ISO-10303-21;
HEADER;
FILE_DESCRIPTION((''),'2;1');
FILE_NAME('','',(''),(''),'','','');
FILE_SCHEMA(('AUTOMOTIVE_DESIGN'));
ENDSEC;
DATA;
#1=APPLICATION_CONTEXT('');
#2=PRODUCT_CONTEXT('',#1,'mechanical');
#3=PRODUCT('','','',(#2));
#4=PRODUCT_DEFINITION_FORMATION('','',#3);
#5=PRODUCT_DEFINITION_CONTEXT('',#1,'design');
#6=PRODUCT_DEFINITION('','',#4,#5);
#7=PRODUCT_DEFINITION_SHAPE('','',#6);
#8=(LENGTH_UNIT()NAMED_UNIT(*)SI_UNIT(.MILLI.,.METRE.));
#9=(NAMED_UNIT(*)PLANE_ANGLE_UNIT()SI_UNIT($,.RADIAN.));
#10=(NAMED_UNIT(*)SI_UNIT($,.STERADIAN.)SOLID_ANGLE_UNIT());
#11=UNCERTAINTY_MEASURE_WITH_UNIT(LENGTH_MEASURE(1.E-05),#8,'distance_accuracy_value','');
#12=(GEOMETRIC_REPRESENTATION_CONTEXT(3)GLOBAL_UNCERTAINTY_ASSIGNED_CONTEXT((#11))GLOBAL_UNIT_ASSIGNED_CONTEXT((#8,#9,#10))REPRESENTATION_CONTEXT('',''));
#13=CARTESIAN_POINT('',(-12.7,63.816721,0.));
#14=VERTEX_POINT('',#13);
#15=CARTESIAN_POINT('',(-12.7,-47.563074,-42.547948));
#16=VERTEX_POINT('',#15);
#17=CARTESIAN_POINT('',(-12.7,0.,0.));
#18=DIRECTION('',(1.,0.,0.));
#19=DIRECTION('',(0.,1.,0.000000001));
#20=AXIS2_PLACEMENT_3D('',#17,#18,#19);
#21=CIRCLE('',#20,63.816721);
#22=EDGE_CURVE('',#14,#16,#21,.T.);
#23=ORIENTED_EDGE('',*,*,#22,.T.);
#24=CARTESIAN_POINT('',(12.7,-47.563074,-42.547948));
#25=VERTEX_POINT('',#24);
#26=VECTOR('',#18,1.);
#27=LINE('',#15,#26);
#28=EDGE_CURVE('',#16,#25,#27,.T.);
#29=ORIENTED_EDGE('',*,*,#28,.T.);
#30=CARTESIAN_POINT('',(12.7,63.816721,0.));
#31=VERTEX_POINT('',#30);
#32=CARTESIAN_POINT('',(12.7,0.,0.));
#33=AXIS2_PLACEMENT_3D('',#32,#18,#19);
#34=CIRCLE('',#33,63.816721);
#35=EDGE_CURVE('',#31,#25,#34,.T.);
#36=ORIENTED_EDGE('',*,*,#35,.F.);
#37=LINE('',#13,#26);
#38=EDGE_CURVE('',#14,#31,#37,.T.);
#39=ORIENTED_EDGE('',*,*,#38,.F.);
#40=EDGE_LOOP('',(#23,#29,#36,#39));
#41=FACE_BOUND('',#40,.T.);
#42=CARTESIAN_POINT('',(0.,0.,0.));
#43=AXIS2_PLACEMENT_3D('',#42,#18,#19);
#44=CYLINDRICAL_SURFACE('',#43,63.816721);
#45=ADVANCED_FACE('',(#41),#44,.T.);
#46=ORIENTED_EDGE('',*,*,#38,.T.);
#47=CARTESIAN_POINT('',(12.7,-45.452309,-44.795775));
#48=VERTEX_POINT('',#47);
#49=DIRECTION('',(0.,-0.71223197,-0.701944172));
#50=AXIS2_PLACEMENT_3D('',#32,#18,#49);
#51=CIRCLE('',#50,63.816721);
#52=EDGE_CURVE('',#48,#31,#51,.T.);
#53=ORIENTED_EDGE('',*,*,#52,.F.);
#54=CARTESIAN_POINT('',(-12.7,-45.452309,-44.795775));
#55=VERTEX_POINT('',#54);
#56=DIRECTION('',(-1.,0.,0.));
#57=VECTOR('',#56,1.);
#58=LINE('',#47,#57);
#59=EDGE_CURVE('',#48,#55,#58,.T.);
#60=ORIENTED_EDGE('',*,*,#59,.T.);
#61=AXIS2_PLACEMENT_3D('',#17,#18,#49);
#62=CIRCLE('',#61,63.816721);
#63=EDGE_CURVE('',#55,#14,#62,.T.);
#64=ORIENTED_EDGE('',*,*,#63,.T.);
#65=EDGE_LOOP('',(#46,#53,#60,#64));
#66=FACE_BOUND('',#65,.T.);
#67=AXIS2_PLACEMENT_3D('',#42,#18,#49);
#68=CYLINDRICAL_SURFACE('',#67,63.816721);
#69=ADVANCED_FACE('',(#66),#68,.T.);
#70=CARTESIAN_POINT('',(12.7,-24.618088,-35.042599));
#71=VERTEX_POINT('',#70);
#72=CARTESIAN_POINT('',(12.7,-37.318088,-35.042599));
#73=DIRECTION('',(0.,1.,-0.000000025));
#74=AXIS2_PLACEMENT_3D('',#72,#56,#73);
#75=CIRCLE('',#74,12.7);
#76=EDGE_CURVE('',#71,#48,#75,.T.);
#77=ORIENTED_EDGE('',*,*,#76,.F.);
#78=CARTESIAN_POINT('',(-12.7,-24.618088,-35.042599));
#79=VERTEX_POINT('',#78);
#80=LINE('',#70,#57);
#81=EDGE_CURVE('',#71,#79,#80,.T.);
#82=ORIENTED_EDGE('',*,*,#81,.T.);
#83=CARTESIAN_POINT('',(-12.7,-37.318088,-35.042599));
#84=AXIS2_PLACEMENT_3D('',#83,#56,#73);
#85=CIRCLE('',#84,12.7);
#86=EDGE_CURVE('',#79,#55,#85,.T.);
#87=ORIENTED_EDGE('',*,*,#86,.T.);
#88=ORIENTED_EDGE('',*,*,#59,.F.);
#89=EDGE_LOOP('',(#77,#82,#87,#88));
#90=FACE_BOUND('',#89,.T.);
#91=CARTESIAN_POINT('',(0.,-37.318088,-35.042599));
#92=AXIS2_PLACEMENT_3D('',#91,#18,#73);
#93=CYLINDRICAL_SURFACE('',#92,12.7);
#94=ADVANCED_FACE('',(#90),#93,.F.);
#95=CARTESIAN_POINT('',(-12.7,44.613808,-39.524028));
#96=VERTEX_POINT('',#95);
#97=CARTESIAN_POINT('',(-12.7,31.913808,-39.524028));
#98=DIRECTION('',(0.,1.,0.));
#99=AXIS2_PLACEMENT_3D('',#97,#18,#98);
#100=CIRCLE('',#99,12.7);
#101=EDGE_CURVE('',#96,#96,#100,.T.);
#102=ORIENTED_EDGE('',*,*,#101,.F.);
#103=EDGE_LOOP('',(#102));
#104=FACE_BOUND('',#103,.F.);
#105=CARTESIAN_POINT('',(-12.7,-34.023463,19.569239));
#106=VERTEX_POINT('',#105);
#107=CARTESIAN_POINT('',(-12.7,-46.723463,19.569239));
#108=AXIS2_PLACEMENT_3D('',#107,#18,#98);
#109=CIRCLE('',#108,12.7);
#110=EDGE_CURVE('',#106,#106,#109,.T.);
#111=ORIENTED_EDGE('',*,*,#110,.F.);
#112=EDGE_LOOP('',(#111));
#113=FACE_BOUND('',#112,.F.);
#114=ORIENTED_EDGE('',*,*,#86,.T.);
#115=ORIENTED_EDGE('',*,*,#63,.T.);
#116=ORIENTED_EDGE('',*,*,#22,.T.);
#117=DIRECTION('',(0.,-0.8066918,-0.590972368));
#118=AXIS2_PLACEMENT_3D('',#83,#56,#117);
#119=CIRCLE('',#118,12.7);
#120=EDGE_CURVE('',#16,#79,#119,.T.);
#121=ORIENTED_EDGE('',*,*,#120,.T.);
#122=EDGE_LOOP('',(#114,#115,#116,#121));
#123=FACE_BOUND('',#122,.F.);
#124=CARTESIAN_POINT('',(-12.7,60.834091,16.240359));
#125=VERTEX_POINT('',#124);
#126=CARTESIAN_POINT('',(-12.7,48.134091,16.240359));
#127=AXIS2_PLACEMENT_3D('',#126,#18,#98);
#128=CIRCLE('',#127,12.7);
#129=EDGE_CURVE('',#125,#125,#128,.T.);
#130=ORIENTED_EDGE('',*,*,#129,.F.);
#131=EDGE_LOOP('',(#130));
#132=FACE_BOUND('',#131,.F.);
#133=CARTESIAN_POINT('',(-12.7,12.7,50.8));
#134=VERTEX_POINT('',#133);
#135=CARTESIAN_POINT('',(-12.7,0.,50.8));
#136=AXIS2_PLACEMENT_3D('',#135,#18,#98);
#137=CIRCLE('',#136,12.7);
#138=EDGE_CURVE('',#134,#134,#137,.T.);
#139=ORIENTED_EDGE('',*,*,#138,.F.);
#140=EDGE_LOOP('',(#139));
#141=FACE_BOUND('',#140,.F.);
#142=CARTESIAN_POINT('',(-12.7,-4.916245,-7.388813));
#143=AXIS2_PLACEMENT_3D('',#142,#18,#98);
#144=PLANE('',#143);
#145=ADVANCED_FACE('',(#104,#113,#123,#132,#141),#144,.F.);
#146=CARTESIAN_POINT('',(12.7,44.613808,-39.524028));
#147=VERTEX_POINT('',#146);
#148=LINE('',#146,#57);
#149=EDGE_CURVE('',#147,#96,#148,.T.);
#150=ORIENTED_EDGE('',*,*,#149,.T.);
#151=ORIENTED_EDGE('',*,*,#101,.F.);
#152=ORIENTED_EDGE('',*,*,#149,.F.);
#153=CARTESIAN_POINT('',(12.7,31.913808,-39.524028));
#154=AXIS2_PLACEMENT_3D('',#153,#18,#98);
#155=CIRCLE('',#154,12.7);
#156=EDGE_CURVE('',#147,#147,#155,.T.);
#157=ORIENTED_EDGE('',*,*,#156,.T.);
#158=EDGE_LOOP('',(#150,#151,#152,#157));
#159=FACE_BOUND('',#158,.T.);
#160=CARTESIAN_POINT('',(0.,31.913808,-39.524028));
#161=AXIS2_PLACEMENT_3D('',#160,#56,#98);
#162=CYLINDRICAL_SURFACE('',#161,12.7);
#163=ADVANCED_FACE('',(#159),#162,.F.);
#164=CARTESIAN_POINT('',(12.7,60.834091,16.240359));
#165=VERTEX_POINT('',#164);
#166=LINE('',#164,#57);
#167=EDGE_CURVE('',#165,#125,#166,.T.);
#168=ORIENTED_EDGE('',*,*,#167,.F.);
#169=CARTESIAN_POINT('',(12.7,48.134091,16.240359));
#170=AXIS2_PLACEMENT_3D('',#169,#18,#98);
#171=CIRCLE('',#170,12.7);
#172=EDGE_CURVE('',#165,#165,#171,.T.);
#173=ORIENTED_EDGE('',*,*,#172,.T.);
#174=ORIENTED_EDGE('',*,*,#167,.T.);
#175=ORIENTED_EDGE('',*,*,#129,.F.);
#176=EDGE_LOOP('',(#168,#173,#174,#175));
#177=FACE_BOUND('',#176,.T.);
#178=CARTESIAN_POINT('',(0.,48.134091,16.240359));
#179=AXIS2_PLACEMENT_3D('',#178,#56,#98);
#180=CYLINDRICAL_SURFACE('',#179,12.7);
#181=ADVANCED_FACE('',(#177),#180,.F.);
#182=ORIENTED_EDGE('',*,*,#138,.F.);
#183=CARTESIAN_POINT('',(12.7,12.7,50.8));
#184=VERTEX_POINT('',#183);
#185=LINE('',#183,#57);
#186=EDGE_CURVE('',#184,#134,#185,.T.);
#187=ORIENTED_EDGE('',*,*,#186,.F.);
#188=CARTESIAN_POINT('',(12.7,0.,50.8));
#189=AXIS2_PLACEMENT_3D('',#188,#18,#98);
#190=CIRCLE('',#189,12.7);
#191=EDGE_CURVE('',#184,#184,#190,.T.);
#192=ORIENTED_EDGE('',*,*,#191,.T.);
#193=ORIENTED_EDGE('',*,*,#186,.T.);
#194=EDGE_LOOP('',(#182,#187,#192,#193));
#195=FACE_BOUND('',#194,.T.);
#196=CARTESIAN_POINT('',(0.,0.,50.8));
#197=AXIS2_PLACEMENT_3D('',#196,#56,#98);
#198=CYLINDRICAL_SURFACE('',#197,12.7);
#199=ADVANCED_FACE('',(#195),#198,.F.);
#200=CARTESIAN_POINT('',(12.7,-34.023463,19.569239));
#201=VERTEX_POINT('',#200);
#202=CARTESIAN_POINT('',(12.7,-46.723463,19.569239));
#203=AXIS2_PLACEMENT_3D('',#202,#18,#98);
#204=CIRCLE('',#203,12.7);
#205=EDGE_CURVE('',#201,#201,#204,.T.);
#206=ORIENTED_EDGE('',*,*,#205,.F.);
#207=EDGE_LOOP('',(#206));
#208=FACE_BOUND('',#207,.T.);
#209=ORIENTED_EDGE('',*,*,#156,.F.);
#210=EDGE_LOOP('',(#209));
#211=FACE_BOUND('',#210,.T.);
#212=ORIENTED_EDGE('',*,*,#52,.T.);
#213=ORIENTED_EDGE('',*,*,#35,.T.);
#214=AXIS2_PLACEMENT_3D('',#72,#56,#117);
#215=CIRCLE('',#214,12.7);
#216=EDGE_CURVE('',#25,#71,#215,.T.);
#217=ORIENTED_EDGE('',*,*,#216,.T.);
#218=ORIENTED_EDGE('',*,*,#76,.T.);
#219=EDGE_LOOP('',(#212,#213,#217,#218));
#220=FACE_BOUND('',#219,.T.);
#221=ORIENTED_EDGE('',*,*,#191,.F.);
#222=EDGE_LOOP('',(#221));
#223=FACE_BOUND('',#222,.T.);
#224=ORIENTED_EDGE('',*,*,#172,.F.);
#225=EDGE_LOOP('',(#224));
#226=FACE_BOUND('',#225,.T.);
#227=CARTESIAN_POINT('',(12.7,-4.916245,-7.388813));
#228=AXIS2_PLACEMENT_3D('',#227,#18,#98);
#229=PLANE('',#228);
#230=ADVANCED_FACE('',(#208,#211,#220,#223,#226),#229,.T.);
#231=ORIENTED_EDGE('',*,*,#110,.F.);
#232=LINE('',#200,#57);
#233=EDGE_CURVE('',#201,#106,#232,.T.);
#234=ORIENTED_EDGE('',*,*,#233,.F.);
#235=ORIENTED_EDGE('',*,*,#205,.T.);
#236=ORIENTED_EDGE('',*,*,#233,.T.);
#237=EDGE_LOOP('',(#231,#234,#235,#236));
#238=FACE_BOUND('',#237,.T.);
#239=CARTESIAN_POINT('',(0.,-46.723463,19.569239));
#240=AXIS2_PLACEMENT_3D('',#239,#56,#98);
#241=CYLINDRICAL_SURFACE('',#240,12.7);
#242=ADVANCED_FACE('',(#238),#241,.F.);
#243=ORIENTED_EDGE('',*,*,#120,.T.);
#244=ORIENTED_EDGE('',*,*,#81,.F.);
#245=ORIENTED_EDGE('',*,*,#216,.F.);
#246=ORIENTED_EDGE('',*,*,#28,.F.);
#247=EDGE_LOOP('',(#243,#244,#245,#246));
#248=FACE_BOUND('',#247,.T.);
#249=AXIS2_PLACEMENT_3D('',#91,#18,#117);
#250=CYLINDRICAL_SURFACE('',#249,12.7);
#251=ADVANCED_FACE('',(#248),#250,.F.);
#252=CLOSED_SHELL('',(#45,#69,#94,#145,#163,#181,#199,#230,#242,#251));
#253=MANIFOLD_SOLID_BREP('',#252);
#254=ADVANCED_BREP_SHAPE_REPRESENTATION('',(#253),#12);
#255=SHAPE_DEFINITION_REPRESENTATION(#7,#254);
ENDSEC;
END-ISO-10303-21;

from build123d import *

# Parameters (mm, degrees)
F0_R     = 12.7
F1_DEPTH = 12.7


with BuildPart() as f1:
    # F0 (on Right) → F1 (new body, symmetric)
    with BuildSketch(Plane.YZ):
        with BuildLine():
            ThreePointArc((-45.452309, -44.795775), (24.206988, -59.047401), (63.816721, 0))
            ThreePointArc((63.816721, 0), (-22.773388, 59.614987), (-47.563074, -42.547948))
            ThreePointArc((-47.563074, -42.547948), (-41.266422, -22.971946), (-24.618088, -35.042599))
            ThreePointArc((-24.618088, -35.042599), (-31.933601, -46.544655), (-45.452309, -44.795775))
        make_face()
        with Locations((31.913808, -39.524028)):
            Circle(F0_R, mode=Mode.SUBTRACT)
        with Locations((-46.723463, 19.569239)):
            Circle(F0_R, mode=Mode.SUBTRACT)
        with Locations((0, 50.8)):
            Circle(F0_R, mode=Mode.SUBTRACT)
        with Locations((48.134091, 16.240359)):
            Circle(F0_R, mode=Mode.SUBTRACT)
    extrude(amount=F1_DEPTH, both=True)


solid = f1.part
